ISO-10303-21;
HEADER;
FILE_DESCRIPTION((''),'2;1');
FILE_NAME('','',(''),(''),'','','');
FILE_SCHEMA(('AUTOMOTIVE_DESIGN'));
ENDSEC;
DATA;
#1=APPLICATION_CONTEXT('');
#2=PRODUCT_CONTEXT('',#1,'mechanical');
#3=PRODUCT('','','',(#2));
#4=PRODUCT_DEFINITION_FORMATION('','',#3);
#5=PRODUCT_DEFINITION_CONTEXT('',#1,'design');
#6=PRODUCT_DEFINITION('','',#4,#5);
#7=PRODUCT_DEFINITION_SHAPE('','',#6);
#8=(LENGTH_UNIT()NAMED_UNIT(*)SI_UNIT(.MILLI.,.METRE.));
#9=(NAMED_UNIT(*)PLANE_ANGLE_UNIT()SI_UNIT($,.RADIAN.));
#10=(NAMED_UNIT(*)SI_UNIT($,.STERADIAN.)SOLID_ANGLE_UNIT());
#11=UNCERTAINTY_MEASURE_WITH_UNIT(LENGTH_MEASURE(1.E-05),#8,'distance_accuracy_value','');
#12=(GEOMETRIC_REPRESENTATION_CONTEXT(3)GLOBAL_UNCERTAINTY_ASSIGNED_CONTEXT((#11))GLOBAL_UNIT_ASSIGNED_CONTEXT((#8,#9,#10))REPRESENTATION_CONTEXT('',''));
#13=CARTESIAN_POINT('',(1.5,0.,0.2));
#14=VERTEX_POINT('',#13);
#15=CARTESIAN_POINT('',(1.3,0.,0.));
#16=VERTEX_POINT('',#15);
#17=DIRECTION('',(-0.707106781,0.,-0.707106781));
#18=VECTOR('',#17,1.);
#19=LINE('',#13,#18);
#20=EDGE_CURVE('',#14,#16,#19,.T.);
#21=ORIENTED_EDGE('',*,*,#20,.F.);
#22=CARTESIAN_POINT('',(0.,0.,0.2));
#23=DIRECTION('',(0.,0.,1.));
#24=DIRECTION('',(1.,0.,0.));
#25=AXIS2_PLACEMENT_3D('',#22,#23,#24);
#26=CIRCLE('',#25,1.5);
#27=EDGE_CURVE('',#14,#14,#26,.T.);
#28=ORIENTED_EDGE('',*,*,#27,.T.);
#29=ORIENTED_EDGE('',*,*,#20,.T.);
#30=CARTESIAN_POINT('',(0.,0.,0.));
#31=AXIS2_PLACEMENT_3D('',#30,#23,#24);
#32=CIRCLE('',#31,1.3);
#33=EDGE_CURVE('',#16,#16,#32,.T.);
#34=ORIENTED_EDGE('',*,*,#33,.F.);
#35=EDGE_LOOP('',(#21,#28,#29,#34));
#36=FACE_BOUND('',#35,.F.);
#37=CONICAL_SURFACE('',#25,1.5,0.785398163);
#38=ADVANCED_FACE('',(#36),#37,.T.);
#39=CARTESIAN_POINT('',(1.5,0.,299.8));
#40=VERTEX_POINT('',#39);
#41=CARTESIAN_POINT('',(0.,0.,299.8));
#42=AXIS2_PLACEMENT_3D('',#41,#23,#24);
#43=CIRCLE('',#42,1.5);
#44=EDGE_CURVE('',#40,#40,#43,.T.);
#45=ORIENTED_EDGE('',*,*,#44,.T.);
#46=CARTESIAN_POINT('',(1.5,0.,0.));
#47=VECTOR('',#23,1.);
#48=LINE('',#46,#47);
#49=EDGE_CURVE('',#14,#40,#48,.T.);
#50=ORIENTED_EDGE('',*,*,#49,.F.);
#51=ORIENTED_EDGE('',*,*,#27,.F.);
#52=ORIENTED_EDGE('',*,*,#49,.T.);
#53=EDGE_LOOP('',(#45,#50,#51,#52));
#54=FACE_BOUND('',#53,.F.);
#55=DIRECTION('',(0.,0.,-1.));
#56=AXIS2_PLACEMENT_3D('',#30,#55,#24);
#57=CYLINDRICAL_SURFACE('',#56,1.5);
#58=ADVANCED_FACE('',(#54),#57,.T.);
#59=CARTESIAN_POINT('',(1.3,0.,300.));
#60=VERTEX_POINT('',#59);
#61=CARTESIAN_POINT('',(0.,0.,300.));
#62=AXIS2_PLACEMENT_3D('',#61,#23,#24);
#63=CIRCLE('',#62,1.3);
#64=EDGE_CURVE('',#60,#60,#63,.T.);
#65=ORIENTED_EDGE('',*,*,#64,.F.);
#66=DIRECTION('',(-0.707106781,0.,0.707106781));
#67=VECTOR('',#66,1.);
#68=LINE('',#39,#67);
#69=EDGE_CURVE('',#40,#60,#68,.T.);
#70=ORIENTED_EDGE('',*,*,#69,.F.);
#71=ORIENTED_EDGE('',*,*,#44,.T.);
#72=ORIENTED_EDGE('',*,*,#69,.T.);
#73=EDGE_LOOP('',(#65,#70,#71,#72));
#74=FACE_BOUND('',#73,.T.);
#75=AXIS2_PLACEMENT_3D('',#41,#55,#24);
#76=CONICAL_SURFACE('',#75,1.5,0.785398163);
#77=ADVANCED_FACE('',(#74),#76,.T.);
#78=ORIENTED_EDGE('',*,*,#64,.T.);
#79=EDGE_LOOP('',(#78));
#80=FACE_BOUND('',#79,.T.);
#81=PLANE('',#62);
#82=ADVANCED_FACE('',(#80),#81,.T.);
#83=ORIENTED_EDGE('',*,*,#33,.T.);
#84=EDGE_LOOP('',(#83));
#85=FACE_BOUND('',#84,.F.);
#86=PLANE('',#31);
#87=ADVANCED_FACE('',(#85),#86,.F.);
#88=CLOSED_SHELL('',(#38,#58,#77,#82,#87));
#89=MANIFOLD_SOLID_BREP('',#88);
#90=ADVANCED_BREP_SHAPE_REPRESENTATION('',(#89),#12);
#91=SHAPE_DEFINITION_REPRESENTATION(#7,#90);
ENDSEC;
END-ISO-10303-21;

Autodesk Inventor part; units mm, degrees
ref_plane "YZ Plane" through (0, 0, 0) normal (1, 0, 0) x (0, 1, 0)
ref_plane "XZ Plane" through (0, 0, 0) normal (0, 1, 0) x (-1, 0, 0)
ref_plane "XY Plane" through (0, 0, 0) normal (0, 0, 1) x (1, 0, 0)
sketch "Sketch1" plane through (0, 0, 0) normal (0, 0, 1) x (1, 0, 0)
  circle A0 centre (0, 0) radius 1.5
  dimension "d0" = 3
extrude "Extrusion1" add sketch "Sketch1" along normal blind 300
chamfer "Chamfer1" distance 0.2 angle 45 2 edges at (-1.5, 0, 300) (-1.5, 0, 0)
thread "Thread1" size "M3x0.5" class "6g" standard "ANSI Metric M Profile" full length
properties part number "Rod" material "Steel, Mild"
